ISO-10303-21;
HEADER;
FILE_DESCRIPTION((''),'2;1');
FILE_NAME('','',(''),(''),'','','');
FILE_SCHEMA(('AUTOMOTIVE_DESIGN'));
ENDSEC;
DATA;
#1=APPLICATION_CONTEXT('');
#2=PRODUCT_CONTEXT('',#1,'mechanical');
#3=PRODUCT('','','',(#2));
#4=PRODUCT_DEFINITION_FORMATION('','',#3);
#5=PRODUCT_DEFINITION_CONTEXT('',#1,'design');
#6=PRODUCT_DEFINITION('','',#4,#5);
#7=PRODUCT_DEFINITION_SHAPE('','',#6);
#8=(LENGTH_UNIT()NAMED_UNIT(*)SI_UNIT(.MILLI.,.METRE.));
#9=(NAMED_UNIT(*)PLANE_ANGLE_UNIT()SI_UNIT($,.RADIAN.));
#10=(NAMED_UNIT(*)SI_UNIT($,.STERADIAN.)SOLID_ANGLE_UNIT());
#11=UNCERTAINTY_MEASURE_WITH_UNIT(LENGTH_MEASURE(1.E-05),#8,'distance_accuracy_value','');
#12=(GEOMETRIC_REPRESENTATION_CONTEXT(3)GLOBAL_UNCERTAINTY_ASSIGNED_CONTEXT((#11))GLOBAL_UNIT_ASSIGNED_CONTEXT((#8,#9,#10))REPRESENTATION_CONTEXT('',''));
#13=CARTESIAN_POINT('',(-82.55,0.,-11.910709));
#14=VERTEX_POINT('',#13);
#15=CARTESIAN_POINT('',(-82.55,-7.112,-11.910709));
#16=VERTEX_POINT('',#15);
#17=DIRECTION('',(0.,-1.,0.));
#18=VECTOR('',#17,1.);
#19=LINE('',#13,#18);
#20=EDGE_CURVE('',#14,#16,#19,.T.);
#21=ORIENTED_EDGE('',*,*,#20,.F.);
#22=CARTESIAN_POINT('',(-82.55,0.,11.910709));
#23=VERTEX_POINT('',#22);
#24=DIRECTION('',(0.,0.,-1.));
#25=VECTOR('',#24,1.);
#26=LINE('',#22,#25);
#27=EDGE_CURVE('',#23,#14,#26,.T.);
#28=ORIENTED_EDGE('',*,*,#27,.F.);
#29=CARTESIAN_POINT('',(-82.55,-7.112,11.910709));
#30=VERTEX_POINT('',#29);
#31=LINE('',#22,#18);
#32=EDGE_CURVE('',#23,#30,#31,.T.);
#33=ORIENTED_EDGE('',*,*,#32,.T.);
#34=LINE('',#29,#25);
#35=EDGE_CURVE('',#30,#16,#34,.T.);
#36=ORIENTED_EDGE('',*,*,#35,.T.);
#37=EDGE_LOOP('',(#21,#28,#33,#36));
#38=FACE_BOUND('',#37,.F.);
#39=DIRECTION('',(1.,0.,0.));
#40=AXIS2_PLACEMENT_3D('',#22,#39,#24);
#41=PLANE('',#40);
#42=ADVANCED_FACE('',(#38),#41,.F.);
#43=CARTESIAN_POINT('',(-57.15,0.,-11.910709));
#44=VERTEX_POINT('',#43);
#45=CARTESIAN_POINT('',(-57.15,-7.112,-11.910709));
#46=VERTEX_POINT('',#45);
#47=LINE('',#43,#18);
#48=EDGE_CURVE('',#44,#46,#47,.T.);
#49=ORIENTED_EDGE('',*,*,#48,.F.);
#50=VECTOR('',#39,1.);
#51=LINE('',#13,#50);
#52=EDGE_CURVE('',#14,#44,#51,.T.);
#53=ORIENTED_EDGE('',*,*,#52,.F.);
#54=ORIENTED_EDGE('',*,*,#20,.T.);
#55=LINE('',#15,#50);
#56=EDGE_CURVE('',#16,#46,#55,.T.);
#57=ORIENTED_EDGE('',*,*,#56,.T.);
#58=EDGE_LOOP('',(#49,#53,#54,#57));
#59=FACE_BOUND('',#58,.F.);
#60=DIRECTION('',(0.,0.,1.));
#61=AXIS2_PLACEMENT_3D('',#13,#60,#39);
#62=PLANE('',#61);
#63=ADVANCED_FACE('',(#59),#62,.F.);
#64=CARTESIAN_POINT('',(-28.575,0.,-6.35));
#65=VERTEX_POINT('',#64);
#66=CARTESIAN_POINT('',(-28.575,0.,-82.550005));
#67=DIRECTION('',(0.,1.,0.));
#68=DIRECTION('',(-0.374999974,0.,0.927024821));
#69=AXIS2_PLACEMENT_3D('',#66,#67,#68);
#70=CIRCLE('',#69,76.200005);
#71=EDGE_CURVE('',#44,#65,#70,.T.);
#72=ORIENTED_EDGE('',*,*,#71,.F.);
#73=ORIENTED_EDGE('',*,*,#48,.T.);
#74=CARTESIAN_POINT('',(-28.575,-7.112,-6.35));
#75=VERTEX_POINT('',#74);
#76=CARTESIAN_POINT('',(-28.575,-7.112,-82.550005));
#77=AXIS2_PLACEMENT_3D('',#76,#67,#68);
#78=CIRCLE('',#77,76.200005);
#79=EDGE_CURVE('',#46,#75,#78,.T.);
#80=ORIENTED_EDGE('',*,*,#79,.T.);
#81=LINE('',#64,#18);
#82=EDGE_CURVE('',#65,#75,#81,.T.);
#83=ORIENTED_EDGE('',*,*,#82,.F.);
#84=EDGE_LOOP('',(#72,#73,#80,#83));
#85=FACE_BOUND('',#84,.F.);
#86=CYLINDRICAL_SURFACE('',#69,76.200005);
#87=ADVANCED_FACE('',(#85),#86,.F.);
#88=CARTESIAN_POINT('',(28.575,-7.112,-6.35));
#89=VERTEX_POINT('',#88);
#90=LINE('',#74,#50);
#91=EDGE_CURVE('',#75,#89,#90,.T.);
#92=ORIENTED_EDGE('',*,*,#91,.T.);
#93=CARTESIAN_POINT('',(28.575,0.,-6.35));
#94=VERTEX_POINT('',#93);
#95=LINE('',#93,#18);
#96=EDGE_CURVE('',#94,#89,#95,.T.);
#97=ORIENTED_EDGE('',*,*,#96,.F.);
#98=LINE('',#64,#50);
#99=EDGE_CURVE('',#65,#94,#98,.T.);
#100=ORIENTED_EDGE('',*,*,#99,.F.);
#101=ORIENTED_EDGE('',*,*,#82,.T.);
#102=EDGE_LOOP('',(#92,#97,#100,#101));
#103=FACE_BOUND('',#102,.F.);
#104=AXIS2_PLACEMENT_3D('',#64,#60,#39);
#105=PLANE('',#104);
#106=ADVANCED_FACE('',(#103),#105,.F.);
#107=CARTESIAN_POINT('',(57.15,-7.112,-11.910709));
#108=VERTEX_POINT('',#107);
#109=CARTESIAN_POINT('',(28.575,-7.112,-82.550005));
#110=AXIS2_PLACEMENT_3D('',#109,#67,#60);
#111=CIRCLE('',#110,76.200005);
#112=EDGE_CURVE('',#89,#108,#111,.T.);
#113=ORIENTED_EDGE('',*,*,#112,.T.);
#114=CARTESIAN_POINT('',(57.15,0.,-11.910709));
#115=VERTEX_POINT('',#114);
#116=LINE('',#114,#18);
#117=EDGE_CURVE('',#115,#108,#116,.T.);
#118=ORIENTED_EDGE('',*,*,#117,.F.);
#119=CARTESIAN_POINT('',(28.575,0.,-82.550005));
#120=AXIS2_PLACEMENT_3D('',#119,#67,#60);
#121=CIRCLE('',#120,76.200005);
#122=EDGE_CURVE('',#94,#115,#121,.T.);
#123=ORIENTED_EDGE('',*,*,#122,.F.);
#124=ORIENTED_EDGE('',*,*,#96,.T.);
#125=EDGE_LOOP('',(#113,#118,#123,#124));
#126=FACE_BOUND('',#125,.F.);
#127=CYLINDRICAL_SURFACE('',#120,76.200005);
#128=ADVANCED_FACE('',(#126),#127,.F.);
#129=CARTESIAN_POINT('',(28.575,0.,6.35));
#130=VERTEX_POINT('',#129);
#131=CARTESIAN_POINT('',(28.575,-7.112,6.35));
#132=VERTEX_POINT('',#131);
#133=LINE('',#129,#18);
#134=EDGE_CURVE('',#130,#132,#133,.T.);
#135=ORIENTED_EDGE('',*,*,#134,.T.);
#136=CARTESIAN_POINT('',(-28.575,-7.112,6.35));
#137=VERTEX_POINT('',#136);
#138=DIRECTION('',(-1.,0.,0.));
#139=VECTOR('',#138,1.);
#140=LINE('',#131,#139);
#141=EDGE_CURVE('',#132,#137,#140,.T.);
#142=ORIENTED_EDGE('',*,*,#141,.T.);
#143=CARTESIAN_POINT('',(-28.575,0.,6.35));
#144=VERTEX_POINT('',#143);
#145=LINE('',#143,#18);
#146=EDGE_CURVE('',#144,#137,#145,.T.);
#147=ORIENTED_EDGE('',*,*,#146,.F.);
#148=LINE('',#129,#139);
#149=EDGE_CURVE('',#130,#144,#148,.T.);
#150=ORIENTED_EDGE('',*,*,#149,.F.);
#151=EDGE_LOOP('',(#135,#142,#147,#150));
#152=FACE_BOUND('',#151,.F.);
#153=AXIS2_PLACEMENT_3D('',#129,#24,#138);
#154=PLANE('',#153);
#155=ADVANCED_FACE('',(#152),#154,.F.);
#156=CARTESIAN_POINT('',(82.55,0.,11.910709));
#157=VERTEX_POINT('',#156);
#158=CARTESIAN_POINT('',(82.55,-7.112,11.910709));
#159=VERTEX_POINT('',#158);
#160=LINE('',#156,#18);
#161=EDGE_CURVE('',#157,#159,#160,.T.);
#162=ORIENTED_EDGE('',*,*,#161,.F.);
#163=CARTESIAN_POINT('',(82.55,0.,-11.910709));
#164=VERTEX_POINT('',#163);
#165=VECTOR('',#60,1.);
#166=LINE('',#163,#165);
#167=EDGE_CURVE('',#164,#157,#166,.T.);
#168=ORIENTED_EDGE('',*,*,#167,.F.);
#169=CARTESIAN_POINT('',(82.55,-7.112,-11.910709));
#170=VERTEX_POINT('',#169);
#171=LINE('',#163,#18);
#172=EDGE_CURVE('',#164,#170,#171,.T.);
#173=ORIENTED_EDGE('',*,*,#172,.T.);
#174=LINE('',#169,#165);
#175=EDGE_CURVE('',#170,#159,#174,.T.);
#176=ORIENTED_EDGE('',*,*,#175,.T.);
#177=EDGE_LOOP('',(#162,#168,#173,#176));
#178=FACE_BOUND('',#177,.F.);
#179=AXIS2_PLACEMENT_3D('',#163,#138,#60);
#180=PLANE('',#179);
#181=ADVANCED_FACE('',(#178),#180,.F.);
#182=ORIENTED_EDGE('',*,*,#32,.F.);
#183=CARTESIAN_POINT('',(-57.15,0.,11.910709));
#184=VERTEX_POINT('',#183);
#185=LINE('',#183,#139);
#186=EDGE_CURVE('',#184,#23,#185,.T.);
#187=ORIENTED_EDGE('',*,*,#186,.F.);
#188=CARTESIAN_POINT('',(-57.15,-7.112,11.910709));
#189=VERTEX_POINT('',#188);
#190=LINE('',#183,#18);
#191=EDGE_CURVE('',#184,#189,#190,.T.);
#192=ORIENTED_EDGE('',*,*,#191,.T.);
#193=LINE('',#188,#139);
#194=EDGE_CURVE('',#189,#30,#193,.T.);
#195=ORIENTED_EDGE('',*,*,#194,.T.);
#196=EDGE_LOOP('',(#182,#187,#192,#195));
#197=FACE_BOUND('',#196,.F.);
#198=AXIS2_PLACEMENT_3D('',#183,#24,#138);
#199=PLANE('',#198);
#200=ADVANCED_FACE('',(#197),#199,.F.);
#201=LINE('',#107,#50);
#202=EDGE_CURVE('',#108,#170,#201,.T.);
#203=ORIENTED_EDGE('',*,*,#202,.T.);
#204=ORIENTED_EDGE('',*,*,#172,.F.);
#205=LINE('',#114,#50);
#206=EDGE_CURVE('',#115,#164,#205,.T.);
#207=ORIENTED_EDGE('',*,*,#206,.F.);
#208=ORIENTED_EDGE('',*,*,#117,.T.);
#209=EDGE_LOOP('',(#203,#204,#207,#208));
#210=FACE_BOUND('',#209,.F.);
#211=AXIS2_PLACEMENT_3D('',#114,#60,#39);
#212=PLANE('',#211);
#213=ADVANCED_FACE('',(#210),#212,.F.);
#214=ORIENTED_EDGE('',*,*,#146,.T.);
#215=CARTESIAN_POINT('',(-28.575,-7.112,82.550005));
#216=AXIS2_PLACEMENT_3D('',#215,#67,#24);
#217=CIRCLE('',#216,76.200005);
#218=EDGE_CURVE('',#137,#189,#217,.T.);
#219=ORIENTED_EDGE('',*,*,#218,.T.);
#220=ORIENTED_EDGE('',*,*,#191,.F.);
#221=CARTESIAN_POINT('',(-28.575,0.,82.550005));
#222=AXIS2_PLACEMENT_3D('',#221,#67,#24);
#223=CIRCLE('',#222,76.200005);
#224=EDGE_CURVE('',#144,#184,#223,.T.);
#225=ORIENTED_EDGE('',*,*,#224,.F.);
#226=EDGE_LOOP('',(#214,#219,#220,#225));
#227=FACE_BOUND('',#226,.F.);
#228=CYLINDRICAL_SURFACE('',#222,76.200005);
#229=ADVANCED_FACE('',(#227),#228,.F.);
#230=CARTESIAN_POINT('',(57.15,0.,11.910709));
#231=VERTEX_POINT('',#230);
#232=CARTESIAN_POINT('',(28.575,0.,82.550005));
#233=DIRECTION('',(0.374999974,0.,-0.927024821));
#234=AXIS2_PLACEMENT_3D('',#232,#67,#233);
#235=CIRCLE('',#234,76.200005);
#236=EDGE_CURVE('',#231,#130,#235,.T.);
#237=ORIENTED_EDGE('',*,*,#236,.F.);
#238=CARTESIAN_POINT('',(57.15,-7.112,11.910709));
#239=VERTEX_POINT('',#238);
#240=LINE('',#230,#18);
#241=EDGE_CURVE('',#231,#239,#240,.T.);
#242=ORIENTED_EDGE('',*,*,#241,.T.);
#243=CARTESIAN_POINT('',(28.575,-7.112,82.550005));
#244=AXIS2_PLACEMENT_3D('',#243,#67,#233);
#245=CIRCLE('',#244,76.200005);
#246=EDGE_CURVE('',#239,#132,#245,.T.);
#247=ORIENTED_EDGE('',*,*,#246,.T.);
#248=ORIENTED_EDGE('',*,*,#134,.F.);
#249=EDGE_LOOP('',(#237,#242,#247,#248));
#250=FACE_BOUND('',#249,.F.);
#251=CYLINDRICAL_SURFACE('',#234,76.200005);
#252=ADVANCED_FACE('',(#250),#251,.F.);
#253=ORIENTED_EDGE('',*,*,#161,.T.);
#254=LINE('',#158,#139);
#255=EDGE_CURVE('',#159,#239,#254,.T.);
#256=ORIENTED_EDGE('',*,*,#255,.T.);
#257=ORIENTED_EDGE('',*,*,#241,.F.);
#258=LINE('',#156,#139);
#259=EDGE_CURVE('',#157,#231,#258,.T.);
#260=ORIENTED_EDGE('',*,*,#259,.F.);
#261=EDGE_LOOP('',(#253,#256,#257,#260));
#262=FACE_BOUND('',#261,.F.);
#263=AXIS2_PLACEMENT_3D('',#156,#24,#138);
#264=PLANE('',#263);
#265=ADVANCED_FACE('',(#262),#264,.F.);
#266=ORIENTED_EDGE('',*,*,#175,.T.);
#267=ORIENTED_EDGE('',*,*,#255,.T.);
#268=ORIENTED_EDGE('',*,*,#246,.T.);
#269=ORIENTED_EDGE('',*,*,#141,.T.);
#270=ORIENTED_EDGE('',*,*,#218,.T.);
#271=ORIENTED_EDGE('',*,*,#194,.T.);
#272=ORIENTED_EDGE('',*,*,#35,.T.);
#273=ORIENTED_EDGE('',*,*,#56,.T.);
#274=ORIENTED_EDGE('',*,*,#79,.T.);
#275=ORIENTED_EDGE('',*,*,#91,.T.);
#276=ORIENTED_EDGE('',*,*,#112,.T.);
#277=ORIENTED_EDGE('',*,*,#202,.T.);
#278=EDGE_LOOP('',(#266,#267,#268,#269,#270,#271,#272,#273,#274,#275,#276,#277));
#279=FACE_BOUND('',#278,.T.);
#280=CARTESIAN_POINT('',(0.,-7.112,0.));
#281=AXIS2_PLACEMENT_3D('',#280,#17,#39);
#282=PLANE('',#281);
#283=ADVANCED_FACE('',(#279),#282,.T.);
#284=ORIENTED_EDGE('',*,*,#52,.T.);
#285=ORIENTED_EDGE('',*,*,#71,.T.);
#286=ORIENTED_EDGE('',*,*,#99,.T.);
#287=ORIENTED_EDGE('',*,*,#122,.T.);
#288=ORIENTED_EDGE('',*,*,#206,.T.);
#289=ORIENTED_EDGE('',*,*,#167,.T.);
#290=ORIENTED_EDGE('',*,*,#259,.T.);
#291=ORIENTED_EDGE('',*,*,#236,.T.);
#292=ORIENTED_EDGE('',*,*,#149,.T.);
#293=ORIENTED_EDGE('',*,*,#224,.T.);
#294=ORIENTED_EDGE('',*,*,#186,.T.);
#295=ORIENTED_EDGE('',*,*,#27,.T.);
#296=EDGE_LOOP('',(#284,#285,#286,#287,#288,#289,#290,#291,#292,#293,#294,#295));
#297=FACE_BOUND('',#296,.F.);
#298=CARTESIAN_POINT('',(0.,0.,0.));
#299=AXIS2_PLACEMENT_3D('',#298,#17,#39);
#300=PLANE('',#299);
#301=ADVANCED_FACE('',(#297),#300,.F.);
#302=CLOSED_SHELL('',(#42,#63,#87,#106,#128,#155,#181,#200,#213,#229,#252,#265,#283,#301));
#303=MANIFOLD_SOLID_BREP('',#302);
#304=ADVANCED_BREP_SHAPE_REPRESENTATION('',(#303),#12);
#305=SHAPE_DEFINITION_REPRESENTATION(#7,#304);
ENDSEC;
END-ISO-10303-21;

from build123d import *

# Parameters (mm, degrees)
F1_DEPTH = 7.112


with BuildPart() as f1:
    # F0 (on Front) → F1 (new body)
    with BuildSketch(Plane.XZ):
        with BuildLine():
            Line((28.575, 6.35), (0, 6.35))
            Line((0, 6.35), (-28.575, 6.35))
            ThreePointArc((-28.575, 6.35), (-43.130515, 7.753095), (-57.15, 11.910709))
            Line((-57.15, 11.910709), (-82.55, 11.910709))
            Line((-82.55, 11.910709), (-82.55, -11.910709))
            Line((-82.55, -11.910709), (-57.15, -11.910709))
            ThreePointArc((-57.15, -11.910709), (-43.130515, -7.753095), (-28.575, -6.35))
            Line((-28.575, -6.35), (0, -6.35))
            Line((0, -6.35), (28.575, -6.35))
            ThreePointArc((28.575, -6.35), (43.130515, -7.753095), (57.15, -11.910709))
            Line((57.15, -11.910709), (82.55, -11.910709))
            Line((82.55, -11.910709), (82.55, 11.910709))
            Line((82.55, 11.910709), (57.15, 11.910709))
            ThreePointArc((57.15, 11.910709), (43.130515, 7.753095), (28.575, 6.35))
        make_face()
    extrude(amount=F1_DEPTH)


solid = f1.part
